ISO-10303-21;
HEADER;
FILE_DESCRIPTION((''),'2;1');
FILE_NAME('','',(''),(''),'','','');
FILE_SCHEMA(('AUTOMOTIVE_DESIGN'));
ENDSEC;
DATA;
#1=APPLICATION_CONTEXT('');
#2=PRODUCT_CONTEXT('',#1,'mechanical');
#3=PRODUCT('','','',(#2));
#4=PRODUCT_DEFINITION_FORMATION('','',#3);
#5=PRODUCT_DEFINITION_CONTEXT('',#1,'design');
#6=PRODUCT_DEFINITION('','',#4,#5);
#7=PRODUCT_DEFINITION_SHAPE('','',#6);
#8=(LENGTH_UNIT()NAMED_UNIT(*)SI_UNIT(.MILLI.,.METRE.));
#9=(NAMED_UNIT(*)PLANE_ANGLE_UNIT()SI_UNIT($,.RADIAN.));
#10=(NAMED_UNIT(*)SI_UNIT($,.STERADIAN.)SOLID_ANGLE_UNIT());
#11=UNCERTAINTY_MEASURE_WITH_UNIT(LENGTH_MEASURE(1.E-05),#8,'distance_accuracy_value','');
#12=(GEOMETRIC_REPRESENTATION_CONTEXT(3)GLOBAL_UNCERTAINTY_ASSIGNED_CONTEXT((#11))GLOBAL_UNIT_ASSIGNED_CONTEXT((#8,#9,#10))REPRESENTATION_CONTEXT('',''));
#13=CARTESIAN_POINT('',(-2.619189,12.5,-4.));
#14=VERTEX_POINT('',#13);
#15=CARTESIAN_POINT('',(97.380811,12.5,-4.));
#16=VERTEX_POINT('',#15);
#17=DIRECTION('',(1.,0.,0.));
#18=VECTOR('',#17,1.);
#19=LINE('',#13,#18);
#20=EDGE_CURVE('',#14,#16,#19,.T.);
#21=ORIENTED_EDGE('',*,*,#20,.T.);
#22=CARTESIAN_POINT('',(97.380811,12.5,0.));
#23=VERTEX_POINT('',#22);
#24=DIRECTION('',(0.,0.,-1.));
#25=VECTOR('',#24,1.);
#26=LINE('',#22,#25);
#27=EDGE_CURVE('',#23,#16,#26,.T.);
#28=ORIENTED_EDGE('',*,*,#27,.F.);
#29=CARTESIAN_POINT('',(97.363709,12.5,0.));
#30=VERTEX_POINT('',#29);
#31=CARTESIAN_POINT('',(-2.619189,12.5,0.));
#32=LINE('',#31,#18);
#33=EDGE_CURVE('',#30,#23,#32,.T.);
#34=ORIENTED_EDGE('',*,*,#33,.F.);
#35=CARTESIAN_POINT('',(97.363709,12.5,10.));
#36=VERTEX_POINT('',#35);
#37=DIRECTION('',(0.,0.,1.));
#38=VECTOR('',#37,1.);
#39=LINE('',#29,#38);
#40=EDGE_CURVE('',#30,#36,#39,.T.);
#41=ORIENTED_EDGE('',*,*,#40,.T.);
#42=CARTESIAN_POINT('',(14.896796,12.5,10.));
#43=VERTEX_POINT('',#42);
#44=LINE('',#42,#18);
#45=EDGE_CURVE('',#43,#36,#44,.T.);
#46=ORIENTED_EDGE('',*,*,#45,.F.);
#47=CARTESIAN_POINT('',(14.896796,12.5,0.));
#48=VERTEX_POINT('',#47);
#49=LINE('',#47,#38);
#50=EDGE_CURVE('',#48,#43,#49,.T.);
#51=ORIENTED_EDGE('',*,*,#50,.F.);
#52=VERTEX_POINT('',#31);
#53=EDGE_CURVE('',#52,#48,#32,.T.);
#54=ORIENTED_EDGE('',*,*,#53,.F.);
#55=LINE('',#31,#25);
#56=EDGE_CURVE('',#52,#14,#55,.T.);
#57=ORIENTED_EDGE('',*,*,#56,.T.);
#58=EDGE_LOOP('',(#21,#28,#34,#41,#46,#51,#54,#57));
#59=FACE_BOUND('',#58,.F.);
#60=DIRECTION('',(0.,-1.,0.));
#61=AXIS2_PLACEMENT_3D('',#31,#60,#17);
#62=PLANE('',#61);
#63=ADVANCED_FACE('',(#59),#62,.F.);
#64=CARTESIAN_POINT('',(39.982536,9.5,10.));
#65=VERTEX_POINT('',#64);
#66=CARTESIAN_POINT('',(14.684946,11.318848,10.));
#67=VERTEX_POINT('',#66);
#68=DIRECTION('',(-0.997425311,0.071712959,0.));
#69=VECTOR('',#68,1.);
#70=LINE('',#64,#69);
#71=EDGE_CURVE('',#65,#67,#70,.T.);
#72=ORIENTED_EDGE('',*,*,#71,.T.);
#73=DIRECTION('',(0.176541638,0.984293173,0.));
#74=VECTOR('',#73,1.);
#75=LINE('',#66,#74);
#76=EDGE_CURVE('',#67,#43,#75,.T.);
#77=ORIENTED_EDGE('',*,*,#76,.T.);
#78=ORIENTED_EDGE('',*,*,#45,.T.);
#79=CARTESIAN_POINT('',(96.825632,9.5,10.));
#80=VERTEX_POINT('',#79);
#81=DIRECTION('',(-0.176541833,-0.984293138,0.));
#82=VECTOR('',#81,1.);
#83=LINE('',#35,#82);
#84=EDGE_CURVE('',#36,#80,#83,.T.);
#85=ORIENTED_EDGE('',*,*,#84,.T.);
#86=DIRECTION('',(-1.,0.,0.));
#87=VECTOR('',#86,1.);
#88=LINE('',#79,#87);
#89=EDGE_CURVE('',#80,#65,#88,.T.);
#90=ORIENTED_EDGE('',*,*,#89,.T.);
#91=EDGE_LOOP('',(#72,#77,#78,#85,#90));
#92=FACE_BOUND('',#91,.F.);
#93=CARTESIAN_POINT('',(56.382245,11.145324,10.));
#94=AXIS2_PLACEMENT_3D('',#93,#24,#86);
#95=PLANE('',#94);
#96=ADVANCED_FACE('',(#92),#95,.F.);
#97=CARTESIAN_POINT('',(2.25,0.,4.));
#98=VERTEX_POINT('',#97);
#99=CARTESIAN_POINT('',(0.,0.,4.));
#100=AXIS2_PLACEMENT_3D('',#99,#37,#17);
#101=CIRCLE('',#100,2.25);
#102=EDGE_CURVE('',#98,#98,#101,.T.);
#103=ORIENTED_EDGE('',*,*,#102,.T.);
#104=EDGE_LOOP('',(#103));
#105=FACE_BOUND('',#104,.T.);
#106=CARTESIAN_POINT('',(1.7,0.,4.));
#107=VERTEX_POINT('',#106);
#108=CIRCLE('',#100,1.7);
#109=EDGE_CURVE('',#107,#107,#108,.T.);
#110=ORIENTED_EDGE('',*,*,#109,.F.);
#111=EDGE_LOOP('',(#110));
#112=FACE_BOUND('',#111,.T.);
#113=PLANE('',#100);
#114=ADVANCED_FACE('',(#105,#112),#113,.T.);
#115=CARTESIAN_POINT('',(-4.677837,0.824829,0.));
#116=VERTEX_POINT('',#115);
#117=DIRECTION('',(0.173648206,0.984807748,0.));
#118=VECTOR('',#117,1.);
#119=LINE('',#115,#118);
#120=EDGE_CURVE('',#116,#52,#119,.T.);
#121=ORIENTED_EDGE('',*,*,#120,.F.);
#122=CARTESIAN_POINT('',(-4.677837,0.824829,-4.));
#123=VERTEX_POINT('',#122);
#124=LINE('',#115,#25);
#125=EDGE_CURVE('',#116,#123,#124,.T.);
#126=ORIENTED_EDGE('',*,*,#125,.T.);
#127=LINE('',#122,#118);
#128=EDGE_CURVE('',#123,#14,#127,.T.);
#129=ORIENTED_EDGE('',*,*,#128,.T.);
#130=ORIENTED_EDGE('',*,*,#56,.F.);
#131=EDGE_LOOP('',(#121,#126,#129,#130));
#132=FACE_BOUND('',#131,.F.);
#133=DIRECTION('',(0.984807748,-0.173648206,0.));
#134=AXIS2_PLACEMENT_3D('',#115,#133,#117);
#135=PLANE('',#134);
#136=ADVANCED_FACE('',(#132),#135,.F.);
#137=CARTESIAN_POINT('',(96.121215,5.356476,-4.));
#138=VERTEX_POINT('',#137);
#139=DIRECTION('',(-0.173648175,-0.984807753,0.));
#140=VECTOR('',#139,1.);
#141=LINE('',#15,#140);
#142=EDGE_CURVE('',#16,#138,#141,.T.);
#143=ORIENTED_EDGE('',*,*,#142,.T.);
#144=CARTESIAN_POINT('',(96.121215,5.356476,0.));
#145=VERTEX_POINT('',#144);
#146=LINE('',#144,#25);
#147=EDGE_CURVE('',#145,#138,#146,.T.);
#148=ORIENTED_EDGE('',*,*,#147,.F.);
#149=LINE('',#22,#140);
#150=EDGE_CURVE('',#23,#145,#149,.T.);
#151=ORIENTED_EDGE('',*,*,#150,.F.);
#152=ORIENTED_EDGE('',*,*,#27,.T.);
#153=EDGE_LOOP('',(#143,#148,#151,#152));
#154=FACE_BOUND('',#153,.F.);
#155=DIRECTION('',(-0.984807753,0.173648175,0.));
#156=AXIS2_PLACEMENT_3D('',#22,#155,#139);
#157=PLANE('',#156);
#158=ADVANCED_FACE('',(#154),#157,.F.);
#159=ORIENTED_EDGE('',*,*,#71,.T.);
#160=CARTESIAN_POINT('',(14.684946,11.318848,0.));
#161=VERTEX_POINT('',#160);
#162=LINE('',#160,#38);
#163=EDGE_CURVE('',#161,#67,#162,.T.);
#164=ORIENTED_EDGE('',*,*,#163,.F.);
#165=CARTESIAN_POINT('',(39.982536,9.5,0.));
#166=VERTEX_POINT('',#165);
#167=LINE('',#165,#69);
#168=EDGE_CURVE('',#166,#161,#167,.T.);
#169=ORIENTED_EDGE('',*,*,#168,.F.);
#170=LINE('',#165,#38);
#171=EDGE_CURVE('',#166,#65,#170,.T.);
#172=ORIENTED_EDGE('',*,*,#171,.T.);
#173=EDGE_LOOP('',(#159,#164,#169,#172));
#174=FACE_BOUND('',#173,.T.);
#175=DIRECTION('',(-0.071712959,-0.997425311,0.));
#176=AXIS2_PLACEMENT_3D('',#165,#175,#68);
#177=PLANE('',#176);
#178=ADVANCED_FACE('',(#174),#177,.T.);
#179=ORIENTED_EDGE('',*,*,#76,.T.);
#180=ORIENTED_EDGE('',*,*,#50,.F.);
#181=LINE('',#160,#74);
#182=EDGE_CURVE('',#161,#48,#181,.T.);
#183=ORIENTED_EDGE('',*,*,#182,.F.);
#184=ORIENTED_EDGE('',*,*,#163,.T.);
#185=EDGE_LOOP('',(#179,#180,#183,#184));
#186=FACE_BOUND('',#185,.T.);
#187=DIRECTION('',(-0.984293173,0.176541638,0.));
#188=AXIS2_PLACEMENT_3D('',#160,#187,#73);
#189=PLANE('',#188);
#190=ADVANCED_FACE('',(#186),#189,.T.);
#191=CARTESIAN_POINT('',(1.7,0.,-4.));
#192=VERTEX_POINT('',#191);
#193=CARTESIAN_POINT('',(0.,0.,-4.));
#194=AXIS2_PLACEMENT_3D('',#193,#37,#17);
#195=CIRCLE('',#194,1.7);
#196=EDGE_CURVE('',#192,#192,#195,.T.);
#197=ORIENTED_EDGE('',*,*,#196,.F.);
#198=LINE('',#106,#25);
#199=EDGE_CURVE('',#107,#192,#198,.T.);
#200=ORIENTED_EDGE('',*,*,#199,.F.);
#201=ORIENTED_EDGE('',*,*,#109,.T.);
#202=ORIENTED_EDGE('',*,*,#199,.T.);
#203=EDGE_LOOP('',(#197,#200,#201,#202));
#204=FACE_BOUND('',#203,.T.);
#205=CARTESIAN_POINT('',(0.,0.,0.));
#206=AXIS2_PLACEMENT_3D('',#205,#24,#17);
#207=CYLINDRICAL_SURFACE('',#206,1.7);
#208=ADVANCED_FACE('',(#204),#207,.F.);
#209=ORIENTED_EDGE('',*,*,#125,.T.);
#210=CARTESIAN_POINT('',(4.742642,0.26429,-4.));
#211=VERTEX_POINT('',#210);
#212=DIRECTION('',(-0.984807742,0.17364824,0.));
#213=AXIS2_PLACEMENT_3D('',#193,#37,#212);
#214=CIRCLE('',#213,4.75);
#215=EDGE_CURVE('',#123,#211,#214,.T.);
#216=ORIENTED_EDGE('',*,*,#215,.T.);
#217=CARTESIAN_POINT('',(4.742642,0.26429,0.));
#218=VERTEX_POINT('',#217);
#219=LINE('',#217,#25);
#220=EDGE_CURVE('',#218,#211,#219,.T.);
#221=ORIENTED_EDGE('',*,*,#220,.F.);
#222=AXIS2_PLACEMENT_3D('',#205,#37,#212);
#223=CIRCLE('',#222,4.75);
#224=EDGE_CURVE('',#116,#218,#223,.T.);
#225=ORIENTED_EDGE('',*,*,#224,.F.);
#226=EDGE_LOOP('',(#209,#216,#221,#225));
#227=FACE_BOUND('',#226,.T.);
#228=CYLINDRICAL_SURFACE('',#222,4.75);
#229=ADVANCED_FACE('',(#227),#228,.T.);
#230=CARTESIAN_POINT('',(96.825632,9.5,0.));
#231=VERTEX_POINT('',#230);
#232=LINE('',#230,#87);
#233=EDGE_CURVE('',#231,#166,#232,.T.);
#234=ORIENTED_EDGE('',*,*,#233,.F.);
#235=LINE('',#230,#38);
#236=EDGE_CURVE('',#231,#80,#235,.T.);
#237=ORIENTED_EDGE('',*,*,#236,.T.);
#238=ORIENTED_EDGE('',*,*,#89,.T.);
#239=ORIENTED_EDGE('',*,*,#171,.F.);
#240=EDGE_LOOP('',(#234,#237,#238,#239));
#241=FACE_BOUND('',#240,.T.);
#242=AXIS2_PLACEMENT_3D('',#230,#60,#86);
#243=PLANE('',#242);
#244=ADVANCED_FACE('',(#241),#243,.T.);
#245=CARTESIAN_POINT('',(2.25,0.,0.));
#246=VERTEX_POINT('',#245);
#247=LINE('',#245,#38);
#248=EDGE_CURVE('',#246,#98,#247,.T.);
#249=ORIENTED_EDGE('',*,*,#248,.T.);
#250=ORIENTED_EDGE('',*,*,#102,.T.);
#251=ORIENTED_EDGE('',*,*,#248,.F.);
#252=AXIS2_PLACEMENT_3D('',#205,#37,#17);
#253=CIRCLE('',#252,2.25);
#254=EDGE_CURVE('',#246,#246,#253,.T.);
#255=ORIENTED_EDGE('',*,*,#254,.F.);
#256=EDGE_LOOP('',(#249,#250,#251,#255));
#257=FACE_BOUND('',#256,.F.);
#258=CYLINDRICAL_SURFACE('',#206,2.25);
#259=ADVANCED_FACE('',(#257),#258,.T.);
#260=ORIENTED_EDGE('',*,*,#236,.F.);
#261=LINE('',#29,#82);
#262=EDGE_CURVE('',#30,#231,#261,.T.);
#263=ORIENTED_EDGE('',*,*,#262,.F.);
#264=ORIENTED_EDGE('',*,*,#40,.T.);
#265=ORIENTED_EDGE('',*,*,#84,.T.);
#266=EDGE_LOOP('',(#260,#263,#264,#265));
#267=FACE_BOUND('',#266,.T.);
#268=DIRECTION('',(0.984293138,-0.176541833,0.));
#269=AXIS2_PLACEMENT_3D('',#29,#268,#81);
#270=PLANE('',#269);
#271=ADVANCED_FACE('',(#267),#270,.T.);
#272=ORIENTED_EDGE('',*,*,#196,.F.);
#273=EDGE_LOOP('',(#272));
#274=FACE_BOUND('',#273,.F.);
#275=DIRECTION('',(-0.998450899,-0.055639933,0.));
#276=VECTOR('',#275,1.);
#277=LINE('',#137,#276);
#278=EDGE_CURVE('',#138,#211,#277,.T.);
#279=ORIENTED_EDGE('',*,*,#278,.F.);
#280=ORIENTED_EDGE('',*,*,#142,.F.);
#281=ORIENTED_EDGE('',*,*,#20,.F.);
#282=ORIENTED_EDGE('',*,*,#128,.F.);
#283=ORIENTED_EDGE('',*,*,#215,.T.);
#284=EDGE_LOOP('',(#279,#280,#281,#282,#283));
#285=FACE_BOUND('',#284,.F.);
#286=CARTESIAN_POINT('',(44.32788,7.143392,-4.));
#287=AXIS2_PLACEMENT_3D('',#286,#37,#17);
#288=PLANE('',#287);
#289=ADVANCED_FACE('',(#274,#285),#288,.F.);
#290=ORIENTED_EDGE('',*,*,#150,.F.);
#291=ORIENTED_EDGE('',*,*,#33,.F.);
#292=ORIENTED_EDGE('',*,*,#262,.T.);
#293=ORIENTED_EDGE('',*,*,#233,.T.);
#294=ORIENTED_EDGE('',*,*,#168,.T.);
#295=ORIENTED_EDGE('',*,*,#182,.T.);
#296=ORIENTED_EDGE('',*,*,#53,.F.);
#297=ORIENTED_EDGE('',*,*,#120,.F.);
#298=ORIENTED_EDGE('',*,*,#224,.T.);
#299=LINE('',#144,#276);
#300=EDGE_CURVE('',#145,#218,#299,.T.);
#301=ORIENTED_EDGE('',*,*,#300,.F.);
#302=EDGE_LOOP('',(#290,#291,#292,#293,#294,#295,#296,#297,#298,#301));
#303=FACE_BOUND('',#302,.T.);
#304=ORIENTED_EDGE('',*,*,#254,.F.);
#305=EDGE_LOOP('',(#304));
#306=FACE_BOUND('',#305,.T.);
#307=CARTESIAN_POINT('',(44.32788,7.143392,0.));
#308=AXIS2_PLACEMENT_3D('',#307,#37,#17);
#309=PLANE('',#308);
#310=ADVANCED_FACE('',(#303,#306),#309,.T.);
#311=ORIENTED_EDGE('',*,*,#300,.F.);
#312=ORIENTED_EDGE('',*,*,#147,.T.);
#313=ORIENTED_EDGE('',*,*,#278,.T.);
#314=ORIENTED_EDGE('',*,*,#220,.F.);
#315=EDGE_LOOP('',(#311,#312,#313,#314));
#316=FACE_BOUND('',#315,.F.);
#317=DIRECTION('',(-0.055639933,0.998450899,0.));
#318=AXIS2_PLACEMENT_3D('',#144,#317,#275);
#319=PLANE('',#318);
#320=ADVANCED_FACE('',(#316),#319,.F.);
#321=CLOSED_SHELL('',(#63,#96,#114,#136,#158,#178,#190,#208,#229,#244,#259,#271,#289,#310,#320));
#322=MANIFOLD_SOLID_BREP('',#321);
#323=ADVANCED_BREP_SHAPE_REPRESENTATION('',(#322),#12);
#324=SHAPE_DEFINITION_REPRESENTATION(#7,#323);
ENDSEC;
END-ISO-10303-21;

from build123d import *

# Parameters (mm, degrees)
SKETCH001_R  = 1.7
PAD001_DEPTH = 4
PAD003_DEPTH = 10
SKETCH_R     = 2.25
SKETCH_R_2   = 1.7
PAD_DEPTH    = 4


with BuildPart() as part:
    # Sketch001 → Pad001 (new body)
    with BuildSketch(Plane.XY):
        with BuildLine():
            ThreePointArc((-4.677837, 0.824829), (-0.282136, -4.741614), (4.742642, 0.26429))
            Line((96.121215, 5.356476), (4.742642, 0.26429))
            Line((97.380811, 12.5), (96.121215, 5.356476))
            Line((-2.619189, 12.5), (97.380811, 12.5))
            Line((-4.677837, 0.824829), (-2.619189, 12.5))
        make_face()
        Circle(SKETCH001_R, mode=Mode.SUBTRACT)
    extrude(amount=-PAD001_DEPTH)

    # Sketch004 → Pad003 (join)
    with BuildSketch(Plane.XY):
        Polygon((14.896796, 12.5), (97.363709, 12.5), (96.825632, 9.5), (39.982536, 9.5), (14.684946, 11.318848), align=None)
    extrude(amount=PAD003_DEPTH)

    # Sketch → Pad (join)
    with BuildSketch(Plane.XY):
        Circle(SKETCH_R)
        Circle(SKETCH_R_2, mode=Mode.SUBTRACT)
    extrude(amount=PAD_DEPTH)


solid = part.part
